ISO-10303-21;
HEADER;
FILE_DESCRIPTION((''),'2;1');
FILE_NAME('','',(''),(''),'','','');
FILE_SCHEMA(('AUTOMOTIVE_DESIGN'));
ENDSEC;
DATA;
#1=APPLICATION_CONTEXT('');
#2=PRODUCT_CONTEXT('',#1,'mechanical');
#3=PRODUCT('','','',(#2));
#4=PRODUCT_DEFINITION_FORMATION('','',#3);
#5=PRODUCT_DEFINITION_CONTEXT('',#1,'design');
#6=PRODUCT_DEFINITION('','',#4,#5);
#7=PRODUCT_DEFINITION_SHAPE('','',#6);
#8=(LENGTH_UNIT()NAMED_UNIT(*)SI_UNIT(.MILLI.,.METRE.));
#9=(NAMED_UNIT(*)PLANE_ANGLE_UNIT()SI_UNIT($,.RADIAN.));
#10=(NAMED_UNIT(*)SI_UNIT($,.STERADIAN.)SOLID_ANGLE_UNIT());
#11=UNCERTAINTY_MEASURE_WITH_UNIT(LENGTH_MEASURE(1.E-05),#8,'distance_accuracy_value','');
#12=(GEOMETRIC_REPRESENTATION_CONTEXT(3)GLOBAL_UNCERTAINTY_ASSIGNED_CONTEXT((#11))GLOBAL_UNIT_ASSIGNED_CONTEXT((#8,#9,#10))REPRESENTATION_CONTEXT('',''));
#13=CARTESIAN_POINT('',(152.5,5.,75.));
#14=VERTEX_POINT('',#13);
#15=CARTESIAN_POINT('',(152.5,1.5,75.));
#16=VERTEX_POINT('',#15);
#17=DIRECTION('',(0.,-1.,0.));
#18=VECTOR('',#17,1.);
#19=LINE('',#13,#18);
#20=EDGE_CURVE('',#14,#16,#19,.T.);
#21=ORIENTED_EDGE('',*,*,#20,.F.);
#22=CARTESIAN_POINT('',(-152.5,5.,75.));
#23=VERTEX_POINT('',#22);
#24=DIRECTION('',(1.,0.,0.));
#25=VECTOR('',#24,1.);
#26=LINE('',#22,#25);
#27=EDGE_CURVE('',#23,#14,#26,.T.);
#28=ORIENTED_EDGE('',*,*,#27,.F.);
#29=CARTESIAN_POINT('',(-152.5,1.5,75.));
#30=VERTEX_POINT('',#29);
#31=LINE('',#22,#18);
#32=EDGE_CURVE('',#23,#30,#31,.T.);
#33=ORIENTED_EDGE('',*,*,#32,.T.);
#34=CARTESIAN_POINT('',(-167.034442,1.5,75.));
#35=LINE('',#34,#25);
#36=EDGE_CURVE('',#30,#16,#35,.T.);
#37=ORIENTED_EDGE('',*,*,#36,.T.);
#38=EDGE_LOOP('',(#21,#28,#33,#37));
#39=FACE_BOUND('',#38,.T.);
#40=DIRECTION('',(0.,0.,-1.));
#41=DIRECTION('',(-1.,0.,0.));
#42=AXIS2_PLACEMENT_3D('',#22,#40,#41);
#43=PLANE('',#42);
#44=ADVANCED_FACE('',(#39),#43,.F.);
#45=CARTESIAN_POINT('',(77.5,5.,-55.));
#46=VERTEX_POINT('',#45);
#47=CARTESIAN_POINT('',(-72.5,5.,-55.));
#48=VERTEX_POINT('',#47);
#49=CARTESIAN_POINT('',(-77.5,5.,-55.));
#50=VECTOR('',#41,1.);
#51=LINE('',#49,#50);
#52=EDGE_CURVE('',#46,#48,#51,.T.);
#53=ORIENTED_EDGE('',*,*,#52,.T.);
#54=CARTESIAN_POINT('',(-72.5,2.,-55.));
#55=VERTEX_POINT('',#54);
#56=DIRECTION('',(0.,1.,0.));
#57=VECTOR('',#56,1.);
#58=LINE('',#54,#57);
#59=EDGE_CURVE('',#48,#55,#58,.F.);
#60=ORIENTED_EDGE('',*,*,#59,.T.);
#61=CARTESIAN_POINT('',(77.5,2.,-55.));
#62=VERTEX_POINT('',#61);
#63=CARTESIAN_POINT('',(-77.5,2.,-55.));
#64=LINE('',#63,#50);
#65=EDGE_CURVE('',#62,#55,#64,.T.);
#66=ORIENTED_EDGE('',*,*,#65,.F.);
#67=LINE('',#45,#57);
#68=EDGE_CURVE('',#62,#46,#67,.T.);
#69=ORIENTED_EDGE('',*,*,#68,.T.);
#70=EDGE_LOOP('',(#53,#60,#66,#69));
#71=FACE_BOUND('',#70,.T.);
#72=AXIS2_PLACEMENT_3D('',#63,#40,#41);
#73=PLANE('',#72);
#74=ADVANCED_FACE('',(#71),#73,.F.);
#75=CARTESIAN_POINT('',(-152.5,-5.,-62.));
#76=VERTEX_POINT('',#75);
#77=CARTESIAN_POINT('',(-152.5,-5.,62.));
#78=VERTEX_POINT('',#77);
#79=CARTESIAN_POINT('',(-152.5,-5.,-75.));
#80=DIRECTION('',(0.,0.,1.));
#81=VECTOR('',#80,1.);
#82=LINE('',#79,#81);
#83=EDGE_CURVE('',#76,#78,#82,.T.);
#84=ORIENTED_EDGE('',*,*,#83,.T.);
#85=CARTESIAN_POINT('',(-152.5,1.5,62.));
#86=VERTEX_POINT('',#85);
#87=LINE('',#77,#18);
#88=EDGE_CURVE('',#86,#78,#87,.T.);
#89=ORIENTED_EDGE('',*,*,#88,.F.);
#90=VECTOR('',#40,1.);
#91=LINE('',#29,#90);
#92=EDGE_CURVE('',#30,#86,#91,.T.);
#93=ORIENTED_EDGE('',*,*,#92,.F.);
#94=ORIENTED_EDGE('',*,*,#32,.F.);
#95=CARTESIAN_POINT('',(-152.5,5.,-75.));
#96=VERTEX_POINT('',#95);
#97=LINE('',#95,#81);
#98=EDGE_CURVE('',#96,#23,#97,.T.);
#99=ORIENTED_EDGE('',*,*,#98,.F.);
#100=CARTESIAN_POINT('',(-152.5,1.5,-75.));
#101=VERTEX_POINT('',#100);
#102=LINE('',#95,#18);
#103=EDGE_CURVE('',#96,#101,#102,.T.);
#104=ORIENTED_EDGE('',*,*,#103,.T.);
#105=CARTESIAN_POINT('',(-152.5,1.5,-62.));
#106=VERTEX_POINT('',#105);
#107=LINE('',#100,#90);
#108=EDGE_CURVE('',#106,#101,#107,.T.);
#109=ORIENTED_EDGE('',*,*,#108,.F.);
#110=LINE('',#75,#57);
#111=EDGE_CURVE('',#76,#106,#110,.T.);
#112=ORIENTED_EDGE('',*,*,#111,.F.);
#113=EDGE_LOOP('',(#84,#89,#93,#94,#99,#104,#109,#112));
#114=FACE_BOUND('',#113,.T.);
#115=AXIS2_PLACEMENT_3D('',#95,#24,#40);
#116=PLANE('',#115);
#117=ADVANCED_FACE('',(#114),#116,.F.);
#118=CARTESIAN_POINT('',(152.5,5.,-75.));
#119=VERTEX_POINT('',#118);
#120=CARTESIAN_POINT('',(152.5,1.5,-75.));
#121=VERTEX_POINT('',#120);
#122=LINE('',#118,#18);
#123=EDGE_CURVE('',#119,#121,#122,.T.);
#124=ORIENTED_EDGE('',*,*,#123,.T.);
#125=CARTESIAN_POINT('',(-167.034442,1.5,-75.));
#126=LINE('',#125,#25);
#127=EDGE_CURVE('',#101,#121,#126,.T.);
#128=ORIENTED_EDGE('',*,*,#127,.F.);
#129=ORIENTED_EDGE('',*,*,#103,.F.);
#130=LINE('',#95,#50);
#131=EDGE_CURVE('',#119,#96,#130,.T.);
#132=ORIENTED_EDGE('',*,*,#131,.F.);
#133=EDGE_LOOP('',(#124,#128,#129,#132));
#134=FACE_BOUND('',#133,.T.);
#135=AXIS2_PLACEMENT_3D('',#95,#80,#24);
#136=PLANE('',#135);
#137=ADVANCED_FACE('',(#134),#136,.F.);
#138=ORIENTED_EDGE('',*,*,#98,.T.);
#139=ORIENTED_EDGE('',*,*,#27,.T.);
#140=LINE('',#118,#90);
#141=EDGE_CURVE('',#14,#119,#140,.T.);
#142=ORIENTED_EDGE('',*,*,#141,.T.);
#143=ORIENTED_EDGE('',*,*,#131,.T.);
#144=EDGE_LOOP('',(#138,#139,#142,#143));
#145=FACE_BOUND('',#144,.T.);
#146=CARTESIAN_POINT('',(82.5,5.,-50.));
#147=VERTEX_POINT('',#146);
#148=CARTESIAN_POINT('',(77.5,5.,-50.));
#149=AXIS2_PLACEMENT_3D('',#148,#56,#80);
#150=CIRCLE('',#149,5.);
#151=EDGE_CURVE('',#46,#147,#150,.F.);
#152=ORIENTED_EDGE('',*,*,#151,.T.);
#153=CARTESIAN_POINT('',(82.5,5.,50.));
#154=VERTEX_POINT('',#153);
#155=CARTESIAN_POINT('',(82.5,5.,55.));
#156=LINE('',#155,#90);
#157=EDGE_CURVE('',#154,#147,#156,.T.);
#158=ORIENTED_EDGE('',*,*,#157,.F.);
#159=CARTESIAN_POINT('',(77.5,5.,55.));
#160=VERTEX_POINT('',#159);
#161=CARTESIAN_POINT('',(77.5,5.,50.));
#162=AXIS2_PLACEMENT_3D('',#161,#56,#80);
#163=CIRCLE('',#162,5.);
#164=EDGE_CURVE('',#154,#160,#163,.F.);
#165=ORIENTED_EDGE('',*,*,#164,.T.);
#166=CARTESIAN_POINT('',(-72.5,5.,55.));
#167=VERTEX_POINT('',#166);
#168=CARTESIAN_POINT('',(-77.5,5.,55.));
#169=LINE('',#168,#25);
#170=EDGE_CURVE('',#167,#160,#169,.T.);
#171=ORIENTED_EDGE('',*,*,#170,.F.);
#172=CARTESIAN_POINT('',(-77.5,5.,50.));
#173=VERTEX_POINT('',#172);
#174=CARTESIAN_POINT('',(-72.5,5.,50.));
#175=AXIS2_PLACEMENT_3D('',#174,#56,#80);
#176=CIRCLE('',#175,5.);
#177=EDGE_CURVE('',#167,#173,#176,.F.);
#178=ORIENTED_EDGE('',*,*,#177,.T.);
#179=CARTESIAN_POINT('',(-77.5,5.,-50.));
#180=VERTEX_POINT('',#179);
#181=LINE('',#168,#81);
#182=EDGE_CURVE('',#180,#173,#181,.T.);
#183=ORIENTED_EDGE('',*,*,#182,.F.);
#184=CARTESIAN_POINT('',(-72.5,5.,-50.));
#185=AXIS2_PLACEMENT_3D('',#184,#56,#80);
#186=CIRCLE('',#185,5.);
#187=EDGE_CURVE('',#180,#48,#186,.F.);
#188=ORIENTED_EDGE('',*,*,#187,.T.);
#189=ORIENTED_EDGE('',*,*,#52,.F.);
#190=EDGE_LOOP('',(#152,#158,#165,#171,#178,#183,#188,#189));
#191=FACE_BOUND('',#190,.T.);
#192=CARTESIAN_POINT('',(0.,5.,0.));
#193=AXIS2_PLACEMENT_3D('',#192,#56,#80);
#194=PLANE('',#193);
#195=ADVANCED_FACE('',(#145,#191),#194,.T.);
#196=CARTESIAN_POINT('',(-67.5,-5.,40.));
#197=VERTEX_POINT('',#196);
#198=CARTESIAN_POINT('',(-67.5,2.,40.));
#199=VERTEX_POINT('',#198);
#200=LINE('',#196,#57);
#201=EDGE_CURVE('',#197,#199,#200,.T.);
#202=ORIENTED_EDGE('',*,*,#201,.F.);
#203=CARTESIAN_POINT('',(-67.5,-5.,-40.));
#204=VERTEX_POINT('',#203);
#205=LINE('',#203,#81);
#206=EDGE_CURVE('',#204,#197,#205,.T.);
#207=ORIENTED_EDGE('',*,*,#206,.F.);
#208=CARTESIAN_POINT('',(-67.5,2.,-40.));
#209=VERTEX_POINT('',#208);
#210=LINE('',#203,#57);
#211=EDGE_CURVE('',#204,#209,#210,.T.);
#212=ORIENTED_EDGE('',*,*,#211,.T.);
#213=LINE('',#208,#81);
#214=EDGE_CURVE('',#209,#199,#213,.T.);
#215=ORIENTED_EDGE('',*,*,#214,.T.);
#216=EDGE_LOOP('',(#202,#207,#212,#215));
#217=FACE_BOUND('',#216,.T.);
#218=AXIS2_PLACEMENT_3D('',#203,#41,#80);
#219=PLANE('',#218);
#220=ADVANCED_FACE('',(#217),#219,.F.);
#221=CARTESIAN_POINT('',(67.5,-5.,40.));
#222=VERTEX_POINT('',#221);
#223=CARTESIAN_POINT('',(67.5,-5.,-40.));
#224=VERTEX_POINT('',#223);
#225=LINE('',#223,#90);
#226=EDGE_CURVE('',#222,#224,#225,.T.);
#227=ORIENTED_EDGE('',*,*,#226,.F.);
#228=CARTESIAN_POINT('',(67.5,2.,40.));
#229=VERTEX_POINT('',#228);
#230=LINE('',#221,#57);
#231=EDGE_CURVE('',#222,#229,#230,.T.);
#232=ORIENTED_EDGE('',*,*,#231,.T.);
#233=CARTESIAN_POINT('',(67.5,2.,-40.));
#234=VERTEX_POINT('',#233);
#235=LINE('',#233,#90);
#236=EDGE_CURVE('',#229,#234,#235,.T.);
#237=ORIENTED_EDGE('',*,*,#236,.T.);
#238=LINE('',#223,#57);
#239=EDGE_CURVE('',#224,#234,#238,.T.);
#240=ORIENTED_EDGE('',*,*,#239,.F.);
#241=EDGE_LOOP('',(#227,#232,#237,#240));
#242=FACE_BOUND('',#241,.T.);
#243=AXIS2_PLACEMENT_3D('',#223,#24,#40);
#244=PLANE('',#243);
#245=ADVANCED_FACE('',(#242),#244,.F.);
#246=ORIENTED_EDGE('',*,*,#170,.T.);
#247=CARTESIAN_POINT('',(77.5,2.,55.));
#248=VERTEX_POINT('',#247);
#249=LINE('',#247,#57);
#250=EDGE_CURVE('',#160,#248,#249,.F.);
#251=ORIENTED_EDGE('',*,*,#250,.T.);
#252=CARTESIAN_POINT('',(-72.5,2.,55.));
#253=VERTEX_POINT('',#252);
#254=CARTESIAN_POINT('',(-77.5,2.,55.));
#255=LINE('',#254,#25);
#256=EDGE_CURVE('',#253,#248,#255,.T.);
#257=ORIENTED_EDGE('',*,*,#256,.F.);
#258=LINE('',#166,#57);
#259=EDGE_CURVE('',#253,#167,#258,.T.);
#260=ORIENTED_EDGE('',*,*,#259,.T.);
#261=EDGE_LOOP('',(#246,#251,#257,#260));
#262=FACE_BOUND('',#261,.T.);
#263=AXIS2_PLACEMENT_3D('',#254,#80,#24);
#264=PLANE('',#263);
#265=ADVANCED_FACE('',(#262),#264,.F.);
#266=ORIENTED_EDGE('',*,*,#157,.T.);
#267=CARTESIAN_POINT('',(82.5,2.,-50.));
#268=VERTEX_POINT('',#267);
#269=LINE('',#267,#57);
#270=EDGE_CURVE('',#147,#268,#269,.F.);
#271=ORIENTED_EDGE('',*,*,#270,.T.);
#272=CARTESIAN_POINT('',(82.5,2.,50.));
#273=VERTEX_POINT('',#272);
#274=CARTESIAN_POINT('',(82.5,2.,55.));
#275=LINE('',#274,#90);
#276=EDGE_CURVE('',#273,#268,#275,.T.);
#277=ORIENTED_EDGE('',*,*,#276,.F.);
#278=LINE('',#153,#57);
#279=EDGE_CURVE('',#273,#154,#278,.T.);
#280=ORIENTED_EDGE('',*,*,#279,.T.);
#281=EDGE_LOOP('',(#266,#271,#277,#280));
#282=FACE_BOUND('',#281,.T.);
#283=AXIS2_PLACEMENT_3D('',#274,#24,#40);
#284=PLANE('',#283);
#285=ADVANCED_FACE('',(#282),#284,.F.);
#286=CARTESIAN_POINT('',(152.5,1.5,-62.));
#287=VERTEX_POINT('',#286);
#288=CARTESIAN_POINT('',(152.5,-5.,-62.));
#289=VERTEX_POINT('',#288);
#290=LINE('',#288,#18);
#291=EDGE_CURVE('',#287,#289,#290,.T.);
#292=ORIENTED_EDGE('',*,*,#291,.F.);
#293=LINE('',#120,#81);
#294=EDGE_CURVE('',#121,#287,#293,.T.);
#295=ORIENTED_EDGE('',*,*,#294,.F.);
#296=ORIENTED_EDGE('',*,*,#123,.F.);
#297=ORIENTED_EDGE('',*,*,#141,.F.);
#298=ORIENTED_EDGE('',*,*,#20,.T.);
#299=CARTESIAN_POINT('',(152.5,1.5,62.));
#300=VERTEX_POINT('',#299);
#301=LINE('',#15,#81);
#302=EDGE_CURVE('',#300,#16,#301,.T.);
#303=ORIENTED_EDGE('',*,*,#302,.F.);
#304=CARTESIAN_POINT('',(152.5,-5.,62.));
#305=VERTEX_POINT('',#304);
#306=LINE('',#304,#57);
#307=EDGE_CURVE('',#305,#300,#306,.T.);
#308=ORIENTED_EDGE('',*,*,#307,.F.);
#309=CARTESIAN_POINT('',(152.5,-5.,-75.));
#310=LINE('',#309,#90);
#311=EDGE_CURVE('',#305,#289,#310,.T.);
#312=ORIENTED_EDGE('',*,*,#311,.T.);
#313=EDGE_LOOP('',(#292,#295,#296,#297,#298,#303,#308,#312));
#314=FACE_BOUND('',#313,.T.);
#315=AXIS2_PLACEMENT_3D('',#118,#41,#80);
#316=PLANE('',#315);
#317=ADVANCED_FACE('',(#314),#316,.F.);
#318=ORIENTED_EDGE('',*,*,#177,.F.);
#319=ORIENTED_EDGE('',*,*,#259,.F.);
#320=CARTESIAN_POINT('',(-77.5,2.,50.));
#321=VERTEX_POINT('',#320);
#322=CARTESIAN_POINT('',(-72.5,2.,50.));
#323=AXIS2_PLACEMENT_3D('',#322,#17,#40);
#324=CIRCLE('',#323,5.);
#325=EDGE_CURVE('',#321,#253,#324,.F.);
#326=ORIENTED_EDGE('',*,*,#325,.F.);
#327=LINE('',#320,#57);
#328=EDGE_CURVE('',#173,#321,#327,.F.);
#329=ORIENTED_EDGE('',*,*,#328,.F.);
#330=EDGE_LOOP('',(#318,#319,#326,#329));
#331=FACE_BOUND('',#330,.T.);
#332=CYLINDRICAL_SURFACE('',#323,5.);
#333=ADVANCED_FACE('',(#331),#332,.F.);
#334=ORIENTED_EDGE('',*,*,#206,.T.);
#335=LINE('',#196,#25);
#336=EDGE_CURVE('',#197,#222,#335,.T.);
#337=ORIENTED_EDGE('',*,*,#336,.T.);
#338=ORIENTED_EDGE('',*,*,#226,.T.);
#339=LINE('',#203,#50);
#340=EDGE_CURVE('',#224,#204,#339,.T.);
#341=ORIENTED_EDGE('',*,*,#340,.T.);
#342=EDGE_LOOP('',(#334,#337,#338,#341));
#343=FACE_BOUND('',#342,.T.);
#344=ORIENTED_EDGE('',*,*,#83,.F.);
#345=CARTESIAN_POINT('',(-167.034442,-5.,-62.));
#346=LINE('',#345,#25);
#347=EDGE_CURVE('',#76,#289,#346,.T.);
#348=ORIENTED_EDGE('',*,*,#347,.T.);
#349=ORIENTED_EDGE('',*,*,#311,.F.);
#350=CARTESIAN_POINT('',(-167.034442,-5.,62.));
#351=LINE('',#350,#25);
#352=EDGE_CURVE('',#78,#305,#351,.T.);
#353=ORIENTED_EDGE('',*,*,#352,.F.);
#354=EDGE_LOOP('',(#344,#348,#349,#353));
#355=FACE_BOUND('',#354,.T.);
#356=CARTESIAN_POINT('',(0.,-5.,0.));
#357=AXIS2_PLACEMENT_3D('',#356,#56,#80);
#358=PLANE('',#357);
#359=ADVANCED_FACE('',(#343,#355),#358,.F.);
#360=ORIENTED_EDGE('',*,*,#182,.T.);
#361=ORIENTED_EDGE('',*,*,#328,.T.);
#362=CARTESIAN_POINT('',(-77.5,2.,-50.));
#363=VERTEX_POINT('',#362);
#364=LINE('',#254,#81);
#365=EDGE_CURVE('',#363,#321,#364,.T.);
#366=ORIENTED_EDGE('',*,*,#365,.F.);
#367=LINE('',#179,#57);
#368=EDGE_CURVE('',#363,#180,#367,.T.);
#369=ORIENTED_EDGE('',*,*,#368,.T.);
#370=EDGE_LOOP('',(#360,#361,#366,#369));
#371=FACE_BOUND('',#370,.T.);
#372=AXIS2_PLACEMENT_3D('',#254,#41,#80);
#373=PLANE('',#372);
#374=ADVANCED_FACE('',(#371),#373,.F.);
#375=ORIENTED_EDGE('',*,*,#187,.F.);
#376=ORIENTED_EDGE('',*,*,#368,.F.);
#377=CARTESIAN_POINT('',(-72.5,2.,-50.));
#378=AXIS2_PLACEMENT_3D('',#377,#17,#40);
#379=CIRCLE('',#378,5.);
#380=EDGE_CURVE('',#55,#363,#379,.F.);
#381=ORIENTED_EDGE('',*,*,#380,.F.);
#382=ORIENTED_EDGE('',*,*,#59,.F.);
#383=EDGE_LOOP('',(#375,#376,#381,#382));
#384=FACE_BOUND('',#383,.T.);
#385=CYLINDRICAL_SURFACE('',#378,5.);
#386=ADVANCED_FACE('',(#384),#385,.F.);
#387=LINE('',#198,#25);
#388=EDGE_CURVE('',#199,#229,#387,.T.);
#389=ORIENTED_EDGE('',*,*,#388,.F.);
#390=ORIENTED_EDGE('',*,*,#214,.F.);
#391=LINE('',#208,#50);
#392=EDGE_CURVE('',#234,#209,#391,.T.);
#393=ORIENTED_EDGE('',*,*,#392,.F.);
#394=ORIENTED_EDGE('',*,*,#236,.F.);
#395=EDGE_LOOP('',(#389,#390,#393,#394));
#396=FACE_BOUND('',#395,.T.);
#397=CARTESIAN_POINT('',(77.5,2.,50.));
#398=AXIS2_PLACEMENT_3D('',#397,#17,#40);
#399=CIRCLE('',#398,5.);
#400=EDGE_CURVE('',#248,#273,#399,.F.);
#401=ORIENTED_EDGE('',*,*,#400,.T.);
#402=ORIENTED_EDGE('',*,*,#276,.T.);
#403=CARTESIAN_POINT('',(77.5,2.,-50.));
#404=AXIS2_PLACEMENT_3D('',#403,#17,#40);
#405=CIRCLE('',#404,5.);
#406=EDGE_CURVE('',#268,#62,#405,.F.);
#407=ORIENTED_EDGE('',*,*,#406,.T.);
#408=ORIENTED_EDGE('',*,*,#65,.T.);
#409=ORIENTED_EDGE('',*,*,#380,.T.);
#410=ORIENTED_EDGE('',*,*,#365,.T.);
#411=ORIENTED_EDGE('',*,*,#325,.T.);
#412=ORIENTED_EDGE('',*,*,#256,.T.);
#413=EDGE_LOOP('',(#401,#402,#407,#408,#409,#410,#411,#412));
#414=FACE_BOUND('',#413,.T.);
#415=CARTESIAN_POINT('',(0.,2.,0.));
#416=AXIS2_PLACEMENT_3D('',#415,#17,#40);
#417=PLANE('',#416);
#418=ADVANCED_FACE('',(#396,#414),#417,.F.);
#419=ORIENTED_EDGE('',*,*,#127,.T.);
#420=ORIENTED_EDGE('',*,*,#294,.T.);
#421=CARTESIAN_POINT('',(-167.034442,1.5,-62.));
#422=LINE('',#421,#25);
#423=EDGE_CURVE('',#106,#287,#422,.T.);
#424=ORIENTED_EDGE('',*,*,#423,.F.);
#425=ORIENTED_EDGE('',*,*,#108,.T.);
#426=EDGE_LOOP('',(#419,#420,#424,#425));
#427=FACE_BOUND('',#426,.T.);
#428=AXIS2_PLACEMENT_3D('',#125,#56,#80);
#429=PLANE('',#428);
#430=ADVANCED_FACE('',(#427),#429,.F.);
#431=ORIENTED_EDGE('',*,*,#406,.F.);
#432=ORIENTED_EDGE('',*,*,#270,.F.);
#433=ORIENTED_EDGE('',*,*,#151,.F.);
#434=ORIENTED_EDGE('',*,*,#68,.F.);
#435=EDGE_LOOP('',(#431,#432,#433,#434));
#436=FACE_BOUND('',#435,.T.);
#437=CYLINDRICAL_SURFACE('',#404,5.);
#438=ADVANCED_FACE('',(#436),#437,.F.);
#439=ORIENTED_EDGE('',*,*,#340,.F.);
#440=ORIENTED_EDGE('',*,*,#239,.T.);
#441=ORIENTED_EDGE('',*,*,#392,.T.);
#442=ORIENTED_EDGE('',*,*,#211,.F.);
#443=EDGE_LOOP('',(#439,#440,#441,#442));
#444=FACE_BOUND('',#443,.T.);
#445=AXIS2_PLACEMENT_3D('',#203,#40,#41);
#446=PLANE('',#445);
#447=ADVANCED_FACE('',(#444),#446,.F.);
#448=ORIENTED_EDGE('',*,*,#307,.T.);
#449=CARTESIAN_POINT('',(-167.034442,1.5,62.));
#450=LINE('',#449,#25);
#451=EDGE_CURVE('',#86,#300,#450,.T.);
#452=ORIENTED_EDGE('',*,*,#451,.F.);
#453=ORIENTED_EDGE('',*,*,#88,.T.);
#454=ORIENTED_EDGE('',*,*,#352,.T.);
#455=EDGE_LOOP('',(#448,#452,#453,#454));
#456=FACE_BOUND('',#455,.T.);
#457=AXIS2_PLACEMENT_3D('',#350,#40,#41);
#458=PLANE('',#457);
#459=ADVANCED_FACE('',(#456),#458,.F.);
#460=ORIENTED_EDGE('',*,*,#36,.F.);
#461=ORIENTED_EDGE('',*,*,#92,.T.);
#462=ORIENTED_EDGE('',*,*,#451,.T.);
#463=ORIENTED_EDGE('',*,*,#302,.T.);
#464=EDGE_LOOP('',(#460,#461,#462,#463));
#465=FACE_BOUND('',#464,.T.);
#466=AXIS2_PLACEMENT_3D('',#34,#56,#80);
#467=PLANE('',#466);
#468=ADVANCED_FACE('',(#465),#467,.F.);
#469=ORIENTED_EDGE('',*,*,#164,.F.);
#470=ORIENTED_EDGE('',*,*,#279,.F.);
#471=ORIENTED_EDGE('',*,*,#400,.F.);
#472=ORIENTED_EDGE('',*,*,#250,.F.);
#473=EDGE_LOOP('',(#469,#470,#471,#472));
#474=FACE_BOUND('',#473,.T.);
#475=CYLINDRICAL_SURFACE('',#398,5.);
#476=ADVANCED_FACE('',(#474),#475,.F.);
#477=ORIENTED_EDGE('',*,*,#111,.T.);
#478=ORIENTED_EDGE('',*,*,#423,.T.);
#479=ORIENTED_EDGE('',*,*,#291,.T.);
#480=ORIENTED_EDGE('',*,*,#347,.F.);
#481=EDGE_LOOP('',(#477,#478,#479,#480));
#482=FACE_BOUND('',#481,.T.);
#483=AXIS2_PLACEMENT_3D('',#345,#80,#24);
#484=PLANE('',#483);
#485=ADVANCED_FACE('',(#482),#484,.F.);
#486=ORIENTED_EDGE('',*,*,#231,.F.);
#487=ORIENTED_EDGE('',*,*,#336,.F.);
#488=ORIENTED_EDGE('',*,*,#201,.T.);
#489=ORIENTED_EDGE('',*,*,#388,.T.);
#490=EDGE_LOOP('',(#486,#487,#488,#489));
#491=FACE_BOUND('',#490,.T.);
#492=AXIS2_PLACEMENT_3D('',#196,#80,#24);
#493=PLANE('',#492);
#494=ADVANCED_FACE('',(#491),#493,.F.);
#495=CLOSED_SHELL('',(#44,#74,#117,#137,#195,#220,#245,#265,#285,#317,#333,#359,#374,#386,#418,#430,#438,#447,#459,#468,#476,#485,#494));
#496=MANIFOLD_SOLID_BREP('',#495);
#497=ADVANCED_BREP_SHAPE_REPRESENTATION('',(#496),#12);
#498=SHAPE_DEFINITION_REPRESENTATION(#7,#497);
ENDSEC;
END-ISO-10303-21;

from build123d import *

# Parameters (mm, degrees)
SKETCH2_W           = 305
SKETCH2_H           = 150
BOSS_EXTRUDE1_DEPTH = 5
SKETCH3_W           = 13
SKETCH3_H           = 6.5
CUT_EXTRUDE1_DEPTH  = 305
SKETCH4_W           = 160
SKETCH4_H           = 110
CUT_EXTRUDE2_DEPTH  = 3
FILLET1_R           = 5
SKETCH5_W           = 135
SKETCH5_H           = 80
CUT_EXTRUDE3_DEPTH  = 8


with BuildPart() as part:
    # Sketch2 → Boss-Extrude1 (new body, symmetric)
    with BuildSketch(Plane(origin=(0, 0, 0), x_dir=(1, 0, 0), z_dir=(0, 1, 0))):
        Rectangle(SKETCH2_W, SKETCH2_H)
    extrude(amount=BOSS_EXTRUDE1_DEPTH, both=True)

    # Sketch3 → Cut-Extrude1 (cut)
    with BuildSketch(Plane(origin=(152.5, 0, 0), x_dir=(0, 0, -1), z_dir=(1, 0, 0))):
        with Locations((-68.5, -1.75)):
            Rectangle(SKETCH3_W, SKETCH3_H)
        with Locations((68.5, -1.75)):
            Rectangle(SKETCH3_W, SKETCH3_H)
    extrude(amount=-CUT_EXTRUDE1_DEPTH, mode=Mode.SUBTRACT)

    # Sketch4 → Cut-Extrude2 (cut)
    with BuildSketch(Plane(origin=(0, 5, 0), x_dir=(1, 0, 0), z_dir=(0, 1, 0))):
        with Locations((2.5, 0)):
            Rectangle(SKETCH4_W, SKETCH4_H)
    extrude(amount=-CUT_EXTRUDE2_DEPTH, mode=Mode.SUBTRACT)

    # Fillet1
    fillet1_edges = [part.edges().sort_by_distance(p)[0] for p in [
        (-77.5, 3.5, 55),
        (-77.5, 3.5, -55),
        (82.5, 3.5, -55),
        (82.5, 3.5, 55),
    ]]
    fillet(fillet1_edges, radius=FILLET1_R)

    # Sketch5 → Cut-Extrude3 (cut, through all)
    with BuildSketch(Plane(origin=(0, 2, 0), x_dir=(1, 0, 0), z_dir=(0, 1, 0))):
        Rectangle(SKETCH5_W, SKETCH5_H)
    extrude(amount=-CUT_EXTRUDE3_DEPTH, mode=Mode.SUBTRACT)


solid = part.part
